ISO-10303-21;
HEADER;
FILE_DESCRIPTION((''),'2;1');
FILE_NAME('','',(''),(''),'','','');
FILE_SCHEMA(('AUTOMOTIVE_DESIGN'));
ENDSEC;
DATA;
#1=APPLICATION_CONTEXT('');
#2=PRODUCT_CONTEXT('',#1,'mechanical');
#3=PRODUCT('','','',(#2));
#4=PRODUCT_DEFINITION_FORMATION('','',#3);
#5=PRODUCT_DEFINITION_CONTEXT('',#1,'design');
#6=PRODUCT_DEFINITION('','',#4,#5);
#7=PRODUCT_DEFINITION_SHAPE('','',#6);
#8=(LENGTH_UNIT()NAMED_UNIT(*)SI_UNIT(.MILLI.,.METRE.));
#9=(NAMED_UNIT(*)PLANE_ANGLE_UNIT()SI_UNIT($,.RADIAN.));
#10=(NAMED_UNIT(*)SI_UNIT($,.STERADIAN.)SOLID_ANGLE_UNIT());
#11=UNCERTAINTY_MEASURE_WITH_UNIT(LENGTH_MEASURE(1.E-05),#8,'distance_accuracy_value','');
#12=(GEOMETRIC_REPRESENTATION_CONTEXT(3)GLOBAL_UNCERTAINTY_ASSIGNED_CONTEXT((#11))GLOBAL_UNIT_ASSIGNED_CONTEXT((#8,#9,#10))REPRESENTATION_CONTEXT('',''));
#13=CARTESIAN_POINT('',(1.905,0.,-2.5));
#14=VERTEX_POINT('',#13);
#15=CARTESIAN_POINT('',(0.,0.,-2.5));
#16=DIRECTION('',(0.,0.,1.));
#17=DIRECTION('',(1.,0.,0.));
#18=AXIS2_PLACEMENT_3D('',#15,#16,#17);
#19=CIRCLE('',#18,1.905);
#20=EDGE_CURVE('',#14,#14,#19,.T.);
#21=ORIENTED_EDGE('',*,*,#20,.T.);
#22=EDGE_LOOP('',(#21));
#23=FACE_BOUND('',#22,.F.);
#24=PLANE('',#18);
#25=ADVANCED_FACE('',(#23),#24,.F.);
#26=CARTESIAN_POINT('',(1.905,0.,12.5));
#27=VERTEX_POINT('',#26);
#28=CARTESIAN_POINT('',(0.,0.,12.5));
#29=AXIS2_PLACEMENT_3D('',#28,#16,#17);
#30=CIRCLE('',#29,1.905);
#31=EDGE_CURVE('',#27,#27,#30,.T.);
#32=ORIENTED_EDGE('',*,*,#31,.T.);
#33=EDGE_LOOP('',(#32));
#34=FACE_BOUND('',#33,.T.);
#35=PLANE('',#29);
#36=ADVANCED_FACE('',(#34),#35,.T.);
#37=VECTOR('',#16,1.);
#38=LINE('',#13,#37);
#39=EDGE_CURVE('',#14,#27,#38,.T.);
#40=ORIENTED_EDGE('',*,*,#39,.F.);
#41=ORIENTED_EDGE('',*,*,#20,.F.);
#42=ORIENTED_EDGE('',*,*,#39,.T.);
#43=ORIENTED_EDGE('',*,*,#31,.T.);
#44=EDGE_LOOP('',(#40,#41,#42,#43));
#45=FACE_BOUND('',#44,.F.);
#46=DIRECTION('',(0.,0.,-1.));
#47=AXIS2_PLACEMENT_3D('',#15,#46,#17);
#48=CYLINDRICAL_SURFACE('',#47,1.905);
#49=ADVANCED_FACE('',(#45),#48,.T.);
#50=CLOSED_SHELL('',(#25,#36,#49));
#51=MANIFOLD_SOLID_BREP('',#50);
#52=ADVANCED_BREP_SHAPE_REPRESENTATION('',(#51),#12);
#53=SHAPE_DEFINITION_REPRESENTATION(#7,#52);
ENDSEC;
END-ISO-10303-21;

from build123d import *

# Parameters (mm, degrees)
CYLINDER_R     = 1.905
CYLINDER_DEPTH = 15


with BuildPart() as part:
    # Cylinder → Cylinder (new body)
    with BuildSketch(Plane.XY.offset(-2.5)):
        Circle(CYLINDER_R)
    extrude(amount=CYLINDER_DEPTH)


solid = part.part
